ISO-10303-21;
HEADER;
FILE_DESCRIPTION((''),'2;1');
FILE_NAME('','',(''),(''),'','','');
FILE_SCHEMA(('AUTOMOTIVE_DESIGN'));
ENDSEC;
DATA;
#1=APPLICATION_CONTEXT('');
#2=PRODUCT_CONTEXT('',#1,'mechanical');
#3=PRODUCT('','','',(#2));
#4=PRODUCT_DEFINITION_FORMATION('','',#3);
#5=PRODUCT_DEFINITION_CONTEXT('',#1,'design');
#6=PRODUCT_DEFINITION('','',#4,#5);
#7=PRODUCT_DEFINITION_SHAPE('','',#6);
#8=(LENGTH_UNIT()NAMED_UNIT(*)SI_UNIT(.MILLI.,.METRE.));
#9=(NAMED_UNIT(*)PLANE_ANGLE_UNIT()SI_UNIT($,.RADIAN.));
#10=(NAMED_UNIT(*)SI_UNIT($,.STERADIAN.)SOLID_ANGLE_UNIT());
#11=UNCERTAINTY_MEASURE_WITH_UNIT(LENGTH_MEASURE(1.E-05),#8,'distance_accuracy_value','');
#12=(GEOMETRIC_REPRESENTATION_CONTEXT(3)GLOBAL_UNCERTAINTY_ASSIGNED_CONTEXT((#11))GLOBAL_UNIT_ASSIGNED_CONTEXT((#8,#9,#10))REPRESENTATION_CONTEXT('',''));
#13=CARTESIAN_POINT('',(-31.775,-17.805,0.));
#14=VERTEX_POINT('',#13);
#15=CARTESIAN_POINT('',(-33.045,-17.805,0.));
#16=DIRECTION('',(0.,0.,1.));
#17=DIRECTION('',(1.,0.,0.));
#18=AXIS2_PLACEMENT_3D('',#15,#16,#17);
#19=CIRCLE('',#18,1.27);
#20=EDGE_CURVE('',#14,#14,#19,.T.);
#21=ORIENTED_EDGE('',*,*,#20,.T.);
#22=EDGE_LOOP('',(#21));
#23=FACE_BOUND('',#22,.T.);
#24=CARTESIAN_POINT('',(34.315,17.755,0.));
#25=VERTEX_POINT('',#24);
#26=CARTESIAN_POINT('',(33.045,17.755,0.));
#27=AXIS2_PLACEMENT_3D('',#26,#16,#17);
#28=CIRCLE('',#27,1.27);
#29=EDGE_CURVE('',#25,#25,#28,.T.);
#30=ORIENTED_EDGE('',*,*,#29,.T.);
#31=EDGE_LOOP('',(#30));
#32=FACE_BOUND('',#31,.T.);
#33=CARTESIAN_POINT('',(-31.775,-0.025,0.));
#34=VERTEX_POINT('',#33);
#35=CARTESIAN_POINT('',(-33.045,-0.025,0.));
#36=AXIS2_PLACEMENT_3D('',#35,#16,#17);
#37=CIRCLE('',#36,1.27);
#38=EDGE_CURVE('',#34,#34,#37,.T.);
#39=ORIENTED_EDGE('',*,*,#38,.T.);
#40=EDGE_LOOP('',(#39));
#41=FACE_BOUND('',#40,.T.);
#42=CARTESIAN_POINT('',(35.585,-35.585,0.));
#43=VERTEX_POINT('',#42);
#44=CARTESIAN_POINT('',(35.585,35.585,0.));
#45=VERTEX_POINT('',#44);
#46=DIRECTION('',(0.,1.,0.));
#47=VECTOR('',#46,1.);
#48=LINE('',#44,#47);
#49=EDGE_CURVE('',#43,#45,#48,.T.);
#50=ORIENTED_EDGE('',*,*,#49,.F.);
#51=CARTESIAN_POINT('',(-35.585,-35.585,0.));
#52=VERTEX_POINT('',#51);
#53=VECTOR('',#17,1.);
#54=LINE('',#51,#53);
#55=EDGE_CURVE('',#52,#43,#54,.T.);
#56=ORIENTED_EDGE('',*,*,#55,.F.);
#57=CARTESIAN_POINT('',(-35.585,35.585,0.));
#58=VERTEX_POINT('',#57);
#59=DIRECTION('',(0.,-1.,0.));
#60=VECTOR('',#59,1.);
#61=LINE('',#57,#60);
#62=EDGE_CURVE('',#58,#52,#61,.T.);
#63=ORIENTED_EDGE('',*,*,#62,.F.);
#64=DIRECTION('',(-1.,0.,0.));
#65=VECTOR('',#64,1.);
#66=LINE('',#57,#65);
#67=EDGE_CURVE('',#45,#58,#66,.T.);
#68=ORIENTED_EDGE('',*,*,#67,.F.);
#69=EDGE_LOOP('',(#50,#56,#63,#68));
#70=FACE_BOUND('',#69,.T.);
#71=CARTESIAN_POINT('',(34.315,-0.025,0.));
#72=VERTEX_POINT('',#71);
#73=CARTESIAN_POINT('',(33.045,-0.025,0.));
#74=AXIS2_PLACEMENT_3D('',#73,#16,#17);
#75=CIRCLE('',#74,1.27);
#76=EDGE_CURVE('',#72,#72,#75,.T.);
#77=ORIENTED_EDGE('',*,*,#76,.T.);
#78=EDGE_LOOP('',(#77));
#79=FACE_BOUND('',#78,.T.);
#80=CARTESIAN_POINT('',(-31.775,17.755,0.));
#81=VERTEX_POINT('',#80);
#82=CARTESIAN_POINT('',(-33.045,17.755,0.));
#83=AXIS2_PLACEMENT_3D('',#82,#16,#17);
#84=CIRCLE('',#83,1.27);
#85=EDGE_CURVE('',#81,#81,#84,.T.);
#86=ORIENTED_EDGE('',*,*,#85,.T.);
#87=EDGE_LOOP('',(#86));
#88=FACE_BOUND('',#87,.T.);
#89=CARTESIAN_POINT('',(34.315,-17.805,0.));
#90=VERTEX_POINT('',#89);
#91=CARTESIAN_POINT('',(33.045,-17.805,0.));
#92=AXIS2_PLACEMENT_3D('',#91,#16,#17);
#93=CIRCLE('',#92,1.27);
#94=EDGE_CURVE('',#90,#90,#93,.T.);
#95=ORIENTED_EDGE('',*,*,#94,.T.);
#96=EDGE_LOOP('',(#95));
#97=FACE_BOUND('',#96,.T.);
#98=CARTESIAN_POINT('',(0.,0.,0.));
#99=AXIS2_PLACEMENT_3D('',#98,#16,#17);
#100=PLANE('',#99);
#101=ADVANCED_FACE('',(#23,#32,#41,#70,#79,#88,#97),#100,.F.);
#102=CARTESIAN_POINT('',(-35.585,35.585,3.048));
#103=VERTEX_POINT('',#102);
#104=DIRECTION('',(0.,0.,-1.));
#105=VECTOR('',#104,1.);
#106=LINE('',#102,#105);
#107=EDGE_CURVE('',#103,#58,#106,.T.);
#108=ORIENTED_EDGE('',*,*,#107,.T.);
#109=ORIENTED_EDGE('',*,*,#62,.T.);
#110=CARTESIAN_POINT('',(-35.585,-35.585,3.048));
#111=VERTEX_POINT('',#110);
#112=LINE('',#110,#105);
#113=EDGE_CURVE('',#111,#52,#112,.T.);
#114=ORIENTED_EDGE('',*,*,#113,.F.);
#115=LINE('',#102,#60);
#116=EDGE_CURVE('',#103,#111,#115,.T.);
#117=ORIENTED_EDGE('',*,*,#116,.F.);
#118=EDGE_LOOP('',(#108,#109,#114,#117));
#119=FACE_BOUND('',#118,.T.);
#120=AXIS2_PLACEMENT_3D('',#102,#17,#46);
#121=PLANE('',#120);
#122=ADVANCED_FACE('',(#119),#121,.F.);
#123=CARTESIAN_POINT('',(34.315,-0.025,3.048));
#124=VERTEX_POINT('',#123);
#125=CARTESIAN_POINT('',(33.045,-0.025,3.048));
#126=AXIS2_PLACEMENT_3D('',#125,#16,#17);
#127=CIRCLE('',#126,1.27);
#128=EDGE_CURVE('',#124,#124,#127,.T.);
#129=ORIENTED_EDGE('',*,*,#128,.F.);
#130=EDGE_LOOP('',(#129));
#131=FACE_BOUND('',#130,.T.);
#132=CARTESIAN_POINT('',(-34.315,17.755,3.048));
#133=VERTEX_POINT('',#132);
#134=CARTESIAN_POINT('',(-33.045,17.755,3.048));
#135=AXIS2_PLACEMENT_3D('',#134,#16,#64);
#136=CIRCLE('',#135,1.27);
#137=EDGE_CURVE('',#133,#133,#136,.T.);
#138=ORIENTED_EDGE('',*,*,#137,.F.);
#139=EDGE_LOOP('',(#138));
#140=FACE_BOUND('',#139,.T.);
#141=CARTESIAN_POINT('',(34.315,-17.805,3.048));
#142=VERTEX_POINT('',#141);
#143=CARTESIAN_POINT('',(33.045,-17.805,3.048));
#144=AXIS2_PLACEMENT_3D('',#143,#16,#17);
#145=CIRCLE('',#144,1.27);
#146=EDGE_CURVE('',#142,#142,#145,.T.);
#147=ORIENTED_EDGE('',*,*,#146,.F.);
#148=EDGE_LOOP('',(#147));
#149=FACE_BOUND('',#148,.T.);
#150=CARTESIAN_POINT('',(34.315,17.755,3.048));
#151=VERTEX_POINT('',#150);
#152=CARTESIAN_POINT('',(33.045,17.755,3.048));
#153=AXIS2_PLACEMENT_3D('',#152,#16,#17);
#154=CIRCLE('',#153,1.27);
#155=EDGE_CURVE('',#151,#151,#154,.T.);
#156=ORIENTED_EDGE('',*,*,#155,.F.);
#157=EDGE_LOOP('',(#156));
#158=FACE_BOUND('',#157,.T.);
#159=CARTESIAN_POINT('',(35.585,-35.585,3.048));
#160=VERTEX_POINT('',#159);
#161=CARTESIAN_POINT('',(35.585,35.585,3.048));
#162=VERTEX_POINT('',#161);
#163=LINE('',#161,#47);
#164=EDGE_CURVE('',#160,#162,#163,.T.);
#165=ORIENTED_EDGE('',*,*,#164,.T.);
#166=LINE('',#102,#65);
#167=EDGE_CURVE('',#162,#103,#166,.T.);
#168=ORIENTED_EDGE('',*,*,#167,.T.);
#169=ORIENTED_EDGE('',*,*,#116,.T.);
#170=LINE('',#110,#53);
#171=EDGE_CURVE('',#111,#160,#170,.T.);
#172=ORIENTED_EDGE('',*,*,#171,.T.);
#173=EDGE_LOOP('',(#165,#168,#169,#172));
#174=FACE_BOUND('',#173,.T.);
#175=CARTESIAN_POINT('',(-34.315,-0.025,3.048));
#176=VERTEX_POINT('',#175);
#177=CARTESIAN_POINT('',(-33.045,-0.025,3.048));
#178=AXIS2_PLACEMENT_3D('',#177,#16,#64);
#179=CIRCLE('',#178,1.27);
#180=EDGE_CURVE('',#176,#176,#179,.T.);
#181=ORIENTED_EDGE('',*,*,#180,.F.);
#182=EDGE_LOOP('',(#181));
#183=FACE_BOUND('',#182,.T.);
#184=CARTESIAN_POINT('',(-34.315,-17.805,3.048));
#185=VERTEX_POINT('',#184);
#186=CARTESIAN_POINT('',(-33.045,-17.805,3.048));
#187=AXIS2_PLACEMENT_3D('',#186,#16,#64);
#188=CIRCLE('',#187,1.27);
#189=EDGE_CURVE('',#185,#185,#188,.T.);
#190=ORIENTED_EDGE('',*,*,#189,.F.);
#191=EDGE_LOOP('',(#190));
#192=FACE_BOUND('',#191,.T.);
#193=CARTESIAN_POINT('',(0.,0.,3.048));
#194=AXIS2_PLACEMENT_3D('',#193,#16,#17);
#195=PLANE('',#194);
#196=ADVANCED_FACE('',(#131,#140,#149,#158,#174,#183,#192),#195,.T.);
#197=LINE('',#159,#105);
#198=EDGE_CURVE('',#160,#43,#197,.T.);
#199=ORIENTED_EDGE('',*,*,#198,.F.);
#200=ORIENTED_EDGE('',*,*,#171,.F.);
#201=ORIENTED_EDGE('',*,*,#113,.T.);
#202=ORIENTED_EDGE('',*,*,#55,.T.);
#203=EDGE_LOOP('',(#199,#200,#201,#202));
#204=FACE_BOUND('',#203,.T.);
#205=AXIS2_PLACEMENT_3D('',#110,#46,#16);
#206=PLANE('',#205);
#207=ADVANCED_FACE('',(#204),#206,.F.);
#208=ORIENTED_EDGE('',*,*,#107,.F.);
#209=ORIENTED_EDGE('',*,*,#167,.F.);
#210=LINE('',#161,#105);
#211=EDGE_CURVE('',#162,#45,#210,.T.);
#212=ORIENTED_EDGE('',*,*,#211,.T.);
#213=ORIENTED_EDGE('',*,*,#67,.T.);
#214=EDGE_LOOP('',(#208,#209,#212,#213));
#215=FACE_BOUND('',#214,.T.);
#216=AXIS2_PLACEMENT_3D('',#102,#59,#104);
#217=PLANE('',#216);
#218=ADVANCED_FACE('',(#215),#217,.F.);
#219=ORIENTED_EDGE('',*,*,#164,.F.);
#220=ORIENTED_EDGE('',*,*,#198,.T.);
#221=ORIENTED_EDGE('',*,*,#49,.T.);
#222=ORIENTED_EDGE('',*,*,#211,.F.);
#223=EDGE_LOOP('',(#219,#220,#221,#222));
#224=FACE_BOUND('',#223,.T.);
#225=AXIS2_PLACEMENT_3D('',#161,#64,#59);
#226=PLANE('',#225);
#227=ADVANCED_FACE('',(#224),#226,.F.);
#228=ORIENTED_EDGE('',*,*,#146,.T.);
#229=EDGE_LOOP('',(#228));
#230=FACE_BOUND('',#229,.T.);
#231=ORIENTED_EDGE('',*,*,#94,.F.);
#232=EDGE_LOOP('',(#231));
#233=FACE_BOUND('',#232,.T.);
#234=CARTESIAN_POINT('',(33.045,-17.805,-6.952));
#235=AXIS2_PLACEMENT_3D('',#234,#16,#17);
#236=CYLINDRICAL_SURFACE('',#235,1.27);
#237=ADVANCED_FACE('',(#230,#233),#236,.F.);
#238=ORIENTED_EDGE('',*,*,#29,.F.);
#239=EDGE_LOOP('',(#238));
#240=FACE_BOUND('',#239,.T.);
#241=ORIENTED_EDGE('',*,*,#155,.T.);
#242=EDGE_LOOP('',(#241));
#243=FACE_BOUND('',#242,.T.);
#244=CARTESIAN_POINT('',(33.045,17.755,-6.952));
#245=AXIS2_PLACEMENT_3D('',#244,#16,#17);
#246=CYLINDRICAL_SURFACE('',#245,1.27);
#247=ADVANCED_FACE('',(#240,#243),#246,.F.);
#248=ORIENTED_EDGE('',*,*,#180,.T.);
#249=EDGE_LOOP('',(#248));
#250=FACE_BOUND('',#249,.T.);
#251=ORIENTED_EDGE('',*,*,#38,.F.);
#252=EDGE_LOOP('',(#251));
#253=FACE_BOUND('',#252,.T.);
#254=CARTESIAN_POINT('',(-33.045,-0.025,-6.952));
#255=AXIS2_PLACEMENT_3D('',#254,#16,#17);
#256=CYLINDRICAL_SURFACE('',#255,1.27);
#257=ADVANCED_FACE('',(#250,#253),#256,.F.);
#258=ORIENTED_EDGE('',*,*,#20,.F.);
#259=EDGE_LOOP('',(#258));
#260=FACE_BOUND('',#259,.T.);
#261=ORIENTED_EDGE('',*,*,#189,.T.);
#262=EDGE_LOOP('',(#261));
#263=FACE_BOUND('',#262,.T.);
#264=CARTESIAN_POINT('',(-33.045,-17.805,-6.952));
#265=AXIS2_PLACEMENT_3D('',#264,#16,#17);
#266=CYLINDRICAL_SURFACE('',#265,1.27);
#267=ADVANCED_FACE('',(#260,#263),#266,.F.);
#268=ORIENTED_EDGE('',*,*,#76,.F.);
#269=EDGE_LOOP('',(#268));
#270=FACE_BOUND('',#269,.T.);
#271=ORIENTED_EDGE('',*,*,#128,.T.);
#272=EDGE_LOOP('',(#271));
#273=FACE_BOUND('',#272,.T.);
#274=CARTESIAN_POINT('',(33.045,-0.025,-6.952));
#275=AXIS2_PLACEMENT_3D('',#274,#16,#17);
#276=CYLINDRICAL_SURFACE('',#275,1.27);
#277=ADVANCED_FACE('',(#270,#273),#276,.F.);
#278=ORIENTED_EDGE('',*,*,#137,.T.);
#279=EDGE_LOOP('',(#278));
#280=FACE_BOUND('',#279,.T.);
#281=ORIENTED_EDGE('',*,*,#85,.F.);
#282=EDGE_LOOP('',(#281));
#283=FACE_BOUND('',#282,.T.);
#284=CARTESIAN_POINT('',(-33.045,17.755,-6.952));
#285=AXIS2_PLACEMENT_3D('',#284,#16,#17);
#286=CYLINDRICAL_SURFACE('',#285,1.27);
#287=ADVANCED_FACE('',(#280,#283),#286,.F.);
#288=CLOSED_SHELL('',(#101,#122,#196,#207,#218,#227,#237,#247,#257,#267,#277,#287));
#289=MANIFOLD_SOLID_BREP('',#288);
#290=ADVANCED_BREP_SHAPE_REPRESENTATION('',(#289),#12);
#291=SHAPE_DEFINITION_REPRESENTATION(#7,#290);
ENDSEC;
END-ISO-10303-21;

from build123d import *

# Parameters (mm, degrees)
SKETCH1_W           = 71.17
SKETCH1_H           = 71.17
BOSS_EXTRUDE1_DEPTH = 3.048
SKETCH2_R           = 1.27
CUT_EXTRUDE2_DEPTH  = 10


with BuildPart() as part:
    # Sketch1 → Boss-Extrude1 (new body)
    with BuildSketch(Plane.XY):
        Rectangle(SKETCH1_W, SKETCH1_H)
    extrude(amount=BOSS_EXTRUDE1_DEPTH)

    # Sketch2 → Cut-Extrude2 (cut)
    with BuildSketch(Plane.XY.offset(3.048)):
        with Locations((33.045, -17.805)):
            Circle(SKETCH2_R)
        with Locations((33.045, -0.025)):
            Circle(SKETCH2_R)
        with Locations((33.045, 17.755)):
            Circle(SKETCH2_R)
        with Locations((-33.045, -17.805)):
            Circle(SKETCH2_R)
        with Locations((-33.045, -0.025)):
            Circle(SKETCH2_R)
        with Locations((-33.045, 17.755)):
            Circle(SKETCH2_R)
    extrude(amount=-CUT_EXTRUDE2_DEPTH, mode=Mode.SUBTRACT)


solid = part.part
